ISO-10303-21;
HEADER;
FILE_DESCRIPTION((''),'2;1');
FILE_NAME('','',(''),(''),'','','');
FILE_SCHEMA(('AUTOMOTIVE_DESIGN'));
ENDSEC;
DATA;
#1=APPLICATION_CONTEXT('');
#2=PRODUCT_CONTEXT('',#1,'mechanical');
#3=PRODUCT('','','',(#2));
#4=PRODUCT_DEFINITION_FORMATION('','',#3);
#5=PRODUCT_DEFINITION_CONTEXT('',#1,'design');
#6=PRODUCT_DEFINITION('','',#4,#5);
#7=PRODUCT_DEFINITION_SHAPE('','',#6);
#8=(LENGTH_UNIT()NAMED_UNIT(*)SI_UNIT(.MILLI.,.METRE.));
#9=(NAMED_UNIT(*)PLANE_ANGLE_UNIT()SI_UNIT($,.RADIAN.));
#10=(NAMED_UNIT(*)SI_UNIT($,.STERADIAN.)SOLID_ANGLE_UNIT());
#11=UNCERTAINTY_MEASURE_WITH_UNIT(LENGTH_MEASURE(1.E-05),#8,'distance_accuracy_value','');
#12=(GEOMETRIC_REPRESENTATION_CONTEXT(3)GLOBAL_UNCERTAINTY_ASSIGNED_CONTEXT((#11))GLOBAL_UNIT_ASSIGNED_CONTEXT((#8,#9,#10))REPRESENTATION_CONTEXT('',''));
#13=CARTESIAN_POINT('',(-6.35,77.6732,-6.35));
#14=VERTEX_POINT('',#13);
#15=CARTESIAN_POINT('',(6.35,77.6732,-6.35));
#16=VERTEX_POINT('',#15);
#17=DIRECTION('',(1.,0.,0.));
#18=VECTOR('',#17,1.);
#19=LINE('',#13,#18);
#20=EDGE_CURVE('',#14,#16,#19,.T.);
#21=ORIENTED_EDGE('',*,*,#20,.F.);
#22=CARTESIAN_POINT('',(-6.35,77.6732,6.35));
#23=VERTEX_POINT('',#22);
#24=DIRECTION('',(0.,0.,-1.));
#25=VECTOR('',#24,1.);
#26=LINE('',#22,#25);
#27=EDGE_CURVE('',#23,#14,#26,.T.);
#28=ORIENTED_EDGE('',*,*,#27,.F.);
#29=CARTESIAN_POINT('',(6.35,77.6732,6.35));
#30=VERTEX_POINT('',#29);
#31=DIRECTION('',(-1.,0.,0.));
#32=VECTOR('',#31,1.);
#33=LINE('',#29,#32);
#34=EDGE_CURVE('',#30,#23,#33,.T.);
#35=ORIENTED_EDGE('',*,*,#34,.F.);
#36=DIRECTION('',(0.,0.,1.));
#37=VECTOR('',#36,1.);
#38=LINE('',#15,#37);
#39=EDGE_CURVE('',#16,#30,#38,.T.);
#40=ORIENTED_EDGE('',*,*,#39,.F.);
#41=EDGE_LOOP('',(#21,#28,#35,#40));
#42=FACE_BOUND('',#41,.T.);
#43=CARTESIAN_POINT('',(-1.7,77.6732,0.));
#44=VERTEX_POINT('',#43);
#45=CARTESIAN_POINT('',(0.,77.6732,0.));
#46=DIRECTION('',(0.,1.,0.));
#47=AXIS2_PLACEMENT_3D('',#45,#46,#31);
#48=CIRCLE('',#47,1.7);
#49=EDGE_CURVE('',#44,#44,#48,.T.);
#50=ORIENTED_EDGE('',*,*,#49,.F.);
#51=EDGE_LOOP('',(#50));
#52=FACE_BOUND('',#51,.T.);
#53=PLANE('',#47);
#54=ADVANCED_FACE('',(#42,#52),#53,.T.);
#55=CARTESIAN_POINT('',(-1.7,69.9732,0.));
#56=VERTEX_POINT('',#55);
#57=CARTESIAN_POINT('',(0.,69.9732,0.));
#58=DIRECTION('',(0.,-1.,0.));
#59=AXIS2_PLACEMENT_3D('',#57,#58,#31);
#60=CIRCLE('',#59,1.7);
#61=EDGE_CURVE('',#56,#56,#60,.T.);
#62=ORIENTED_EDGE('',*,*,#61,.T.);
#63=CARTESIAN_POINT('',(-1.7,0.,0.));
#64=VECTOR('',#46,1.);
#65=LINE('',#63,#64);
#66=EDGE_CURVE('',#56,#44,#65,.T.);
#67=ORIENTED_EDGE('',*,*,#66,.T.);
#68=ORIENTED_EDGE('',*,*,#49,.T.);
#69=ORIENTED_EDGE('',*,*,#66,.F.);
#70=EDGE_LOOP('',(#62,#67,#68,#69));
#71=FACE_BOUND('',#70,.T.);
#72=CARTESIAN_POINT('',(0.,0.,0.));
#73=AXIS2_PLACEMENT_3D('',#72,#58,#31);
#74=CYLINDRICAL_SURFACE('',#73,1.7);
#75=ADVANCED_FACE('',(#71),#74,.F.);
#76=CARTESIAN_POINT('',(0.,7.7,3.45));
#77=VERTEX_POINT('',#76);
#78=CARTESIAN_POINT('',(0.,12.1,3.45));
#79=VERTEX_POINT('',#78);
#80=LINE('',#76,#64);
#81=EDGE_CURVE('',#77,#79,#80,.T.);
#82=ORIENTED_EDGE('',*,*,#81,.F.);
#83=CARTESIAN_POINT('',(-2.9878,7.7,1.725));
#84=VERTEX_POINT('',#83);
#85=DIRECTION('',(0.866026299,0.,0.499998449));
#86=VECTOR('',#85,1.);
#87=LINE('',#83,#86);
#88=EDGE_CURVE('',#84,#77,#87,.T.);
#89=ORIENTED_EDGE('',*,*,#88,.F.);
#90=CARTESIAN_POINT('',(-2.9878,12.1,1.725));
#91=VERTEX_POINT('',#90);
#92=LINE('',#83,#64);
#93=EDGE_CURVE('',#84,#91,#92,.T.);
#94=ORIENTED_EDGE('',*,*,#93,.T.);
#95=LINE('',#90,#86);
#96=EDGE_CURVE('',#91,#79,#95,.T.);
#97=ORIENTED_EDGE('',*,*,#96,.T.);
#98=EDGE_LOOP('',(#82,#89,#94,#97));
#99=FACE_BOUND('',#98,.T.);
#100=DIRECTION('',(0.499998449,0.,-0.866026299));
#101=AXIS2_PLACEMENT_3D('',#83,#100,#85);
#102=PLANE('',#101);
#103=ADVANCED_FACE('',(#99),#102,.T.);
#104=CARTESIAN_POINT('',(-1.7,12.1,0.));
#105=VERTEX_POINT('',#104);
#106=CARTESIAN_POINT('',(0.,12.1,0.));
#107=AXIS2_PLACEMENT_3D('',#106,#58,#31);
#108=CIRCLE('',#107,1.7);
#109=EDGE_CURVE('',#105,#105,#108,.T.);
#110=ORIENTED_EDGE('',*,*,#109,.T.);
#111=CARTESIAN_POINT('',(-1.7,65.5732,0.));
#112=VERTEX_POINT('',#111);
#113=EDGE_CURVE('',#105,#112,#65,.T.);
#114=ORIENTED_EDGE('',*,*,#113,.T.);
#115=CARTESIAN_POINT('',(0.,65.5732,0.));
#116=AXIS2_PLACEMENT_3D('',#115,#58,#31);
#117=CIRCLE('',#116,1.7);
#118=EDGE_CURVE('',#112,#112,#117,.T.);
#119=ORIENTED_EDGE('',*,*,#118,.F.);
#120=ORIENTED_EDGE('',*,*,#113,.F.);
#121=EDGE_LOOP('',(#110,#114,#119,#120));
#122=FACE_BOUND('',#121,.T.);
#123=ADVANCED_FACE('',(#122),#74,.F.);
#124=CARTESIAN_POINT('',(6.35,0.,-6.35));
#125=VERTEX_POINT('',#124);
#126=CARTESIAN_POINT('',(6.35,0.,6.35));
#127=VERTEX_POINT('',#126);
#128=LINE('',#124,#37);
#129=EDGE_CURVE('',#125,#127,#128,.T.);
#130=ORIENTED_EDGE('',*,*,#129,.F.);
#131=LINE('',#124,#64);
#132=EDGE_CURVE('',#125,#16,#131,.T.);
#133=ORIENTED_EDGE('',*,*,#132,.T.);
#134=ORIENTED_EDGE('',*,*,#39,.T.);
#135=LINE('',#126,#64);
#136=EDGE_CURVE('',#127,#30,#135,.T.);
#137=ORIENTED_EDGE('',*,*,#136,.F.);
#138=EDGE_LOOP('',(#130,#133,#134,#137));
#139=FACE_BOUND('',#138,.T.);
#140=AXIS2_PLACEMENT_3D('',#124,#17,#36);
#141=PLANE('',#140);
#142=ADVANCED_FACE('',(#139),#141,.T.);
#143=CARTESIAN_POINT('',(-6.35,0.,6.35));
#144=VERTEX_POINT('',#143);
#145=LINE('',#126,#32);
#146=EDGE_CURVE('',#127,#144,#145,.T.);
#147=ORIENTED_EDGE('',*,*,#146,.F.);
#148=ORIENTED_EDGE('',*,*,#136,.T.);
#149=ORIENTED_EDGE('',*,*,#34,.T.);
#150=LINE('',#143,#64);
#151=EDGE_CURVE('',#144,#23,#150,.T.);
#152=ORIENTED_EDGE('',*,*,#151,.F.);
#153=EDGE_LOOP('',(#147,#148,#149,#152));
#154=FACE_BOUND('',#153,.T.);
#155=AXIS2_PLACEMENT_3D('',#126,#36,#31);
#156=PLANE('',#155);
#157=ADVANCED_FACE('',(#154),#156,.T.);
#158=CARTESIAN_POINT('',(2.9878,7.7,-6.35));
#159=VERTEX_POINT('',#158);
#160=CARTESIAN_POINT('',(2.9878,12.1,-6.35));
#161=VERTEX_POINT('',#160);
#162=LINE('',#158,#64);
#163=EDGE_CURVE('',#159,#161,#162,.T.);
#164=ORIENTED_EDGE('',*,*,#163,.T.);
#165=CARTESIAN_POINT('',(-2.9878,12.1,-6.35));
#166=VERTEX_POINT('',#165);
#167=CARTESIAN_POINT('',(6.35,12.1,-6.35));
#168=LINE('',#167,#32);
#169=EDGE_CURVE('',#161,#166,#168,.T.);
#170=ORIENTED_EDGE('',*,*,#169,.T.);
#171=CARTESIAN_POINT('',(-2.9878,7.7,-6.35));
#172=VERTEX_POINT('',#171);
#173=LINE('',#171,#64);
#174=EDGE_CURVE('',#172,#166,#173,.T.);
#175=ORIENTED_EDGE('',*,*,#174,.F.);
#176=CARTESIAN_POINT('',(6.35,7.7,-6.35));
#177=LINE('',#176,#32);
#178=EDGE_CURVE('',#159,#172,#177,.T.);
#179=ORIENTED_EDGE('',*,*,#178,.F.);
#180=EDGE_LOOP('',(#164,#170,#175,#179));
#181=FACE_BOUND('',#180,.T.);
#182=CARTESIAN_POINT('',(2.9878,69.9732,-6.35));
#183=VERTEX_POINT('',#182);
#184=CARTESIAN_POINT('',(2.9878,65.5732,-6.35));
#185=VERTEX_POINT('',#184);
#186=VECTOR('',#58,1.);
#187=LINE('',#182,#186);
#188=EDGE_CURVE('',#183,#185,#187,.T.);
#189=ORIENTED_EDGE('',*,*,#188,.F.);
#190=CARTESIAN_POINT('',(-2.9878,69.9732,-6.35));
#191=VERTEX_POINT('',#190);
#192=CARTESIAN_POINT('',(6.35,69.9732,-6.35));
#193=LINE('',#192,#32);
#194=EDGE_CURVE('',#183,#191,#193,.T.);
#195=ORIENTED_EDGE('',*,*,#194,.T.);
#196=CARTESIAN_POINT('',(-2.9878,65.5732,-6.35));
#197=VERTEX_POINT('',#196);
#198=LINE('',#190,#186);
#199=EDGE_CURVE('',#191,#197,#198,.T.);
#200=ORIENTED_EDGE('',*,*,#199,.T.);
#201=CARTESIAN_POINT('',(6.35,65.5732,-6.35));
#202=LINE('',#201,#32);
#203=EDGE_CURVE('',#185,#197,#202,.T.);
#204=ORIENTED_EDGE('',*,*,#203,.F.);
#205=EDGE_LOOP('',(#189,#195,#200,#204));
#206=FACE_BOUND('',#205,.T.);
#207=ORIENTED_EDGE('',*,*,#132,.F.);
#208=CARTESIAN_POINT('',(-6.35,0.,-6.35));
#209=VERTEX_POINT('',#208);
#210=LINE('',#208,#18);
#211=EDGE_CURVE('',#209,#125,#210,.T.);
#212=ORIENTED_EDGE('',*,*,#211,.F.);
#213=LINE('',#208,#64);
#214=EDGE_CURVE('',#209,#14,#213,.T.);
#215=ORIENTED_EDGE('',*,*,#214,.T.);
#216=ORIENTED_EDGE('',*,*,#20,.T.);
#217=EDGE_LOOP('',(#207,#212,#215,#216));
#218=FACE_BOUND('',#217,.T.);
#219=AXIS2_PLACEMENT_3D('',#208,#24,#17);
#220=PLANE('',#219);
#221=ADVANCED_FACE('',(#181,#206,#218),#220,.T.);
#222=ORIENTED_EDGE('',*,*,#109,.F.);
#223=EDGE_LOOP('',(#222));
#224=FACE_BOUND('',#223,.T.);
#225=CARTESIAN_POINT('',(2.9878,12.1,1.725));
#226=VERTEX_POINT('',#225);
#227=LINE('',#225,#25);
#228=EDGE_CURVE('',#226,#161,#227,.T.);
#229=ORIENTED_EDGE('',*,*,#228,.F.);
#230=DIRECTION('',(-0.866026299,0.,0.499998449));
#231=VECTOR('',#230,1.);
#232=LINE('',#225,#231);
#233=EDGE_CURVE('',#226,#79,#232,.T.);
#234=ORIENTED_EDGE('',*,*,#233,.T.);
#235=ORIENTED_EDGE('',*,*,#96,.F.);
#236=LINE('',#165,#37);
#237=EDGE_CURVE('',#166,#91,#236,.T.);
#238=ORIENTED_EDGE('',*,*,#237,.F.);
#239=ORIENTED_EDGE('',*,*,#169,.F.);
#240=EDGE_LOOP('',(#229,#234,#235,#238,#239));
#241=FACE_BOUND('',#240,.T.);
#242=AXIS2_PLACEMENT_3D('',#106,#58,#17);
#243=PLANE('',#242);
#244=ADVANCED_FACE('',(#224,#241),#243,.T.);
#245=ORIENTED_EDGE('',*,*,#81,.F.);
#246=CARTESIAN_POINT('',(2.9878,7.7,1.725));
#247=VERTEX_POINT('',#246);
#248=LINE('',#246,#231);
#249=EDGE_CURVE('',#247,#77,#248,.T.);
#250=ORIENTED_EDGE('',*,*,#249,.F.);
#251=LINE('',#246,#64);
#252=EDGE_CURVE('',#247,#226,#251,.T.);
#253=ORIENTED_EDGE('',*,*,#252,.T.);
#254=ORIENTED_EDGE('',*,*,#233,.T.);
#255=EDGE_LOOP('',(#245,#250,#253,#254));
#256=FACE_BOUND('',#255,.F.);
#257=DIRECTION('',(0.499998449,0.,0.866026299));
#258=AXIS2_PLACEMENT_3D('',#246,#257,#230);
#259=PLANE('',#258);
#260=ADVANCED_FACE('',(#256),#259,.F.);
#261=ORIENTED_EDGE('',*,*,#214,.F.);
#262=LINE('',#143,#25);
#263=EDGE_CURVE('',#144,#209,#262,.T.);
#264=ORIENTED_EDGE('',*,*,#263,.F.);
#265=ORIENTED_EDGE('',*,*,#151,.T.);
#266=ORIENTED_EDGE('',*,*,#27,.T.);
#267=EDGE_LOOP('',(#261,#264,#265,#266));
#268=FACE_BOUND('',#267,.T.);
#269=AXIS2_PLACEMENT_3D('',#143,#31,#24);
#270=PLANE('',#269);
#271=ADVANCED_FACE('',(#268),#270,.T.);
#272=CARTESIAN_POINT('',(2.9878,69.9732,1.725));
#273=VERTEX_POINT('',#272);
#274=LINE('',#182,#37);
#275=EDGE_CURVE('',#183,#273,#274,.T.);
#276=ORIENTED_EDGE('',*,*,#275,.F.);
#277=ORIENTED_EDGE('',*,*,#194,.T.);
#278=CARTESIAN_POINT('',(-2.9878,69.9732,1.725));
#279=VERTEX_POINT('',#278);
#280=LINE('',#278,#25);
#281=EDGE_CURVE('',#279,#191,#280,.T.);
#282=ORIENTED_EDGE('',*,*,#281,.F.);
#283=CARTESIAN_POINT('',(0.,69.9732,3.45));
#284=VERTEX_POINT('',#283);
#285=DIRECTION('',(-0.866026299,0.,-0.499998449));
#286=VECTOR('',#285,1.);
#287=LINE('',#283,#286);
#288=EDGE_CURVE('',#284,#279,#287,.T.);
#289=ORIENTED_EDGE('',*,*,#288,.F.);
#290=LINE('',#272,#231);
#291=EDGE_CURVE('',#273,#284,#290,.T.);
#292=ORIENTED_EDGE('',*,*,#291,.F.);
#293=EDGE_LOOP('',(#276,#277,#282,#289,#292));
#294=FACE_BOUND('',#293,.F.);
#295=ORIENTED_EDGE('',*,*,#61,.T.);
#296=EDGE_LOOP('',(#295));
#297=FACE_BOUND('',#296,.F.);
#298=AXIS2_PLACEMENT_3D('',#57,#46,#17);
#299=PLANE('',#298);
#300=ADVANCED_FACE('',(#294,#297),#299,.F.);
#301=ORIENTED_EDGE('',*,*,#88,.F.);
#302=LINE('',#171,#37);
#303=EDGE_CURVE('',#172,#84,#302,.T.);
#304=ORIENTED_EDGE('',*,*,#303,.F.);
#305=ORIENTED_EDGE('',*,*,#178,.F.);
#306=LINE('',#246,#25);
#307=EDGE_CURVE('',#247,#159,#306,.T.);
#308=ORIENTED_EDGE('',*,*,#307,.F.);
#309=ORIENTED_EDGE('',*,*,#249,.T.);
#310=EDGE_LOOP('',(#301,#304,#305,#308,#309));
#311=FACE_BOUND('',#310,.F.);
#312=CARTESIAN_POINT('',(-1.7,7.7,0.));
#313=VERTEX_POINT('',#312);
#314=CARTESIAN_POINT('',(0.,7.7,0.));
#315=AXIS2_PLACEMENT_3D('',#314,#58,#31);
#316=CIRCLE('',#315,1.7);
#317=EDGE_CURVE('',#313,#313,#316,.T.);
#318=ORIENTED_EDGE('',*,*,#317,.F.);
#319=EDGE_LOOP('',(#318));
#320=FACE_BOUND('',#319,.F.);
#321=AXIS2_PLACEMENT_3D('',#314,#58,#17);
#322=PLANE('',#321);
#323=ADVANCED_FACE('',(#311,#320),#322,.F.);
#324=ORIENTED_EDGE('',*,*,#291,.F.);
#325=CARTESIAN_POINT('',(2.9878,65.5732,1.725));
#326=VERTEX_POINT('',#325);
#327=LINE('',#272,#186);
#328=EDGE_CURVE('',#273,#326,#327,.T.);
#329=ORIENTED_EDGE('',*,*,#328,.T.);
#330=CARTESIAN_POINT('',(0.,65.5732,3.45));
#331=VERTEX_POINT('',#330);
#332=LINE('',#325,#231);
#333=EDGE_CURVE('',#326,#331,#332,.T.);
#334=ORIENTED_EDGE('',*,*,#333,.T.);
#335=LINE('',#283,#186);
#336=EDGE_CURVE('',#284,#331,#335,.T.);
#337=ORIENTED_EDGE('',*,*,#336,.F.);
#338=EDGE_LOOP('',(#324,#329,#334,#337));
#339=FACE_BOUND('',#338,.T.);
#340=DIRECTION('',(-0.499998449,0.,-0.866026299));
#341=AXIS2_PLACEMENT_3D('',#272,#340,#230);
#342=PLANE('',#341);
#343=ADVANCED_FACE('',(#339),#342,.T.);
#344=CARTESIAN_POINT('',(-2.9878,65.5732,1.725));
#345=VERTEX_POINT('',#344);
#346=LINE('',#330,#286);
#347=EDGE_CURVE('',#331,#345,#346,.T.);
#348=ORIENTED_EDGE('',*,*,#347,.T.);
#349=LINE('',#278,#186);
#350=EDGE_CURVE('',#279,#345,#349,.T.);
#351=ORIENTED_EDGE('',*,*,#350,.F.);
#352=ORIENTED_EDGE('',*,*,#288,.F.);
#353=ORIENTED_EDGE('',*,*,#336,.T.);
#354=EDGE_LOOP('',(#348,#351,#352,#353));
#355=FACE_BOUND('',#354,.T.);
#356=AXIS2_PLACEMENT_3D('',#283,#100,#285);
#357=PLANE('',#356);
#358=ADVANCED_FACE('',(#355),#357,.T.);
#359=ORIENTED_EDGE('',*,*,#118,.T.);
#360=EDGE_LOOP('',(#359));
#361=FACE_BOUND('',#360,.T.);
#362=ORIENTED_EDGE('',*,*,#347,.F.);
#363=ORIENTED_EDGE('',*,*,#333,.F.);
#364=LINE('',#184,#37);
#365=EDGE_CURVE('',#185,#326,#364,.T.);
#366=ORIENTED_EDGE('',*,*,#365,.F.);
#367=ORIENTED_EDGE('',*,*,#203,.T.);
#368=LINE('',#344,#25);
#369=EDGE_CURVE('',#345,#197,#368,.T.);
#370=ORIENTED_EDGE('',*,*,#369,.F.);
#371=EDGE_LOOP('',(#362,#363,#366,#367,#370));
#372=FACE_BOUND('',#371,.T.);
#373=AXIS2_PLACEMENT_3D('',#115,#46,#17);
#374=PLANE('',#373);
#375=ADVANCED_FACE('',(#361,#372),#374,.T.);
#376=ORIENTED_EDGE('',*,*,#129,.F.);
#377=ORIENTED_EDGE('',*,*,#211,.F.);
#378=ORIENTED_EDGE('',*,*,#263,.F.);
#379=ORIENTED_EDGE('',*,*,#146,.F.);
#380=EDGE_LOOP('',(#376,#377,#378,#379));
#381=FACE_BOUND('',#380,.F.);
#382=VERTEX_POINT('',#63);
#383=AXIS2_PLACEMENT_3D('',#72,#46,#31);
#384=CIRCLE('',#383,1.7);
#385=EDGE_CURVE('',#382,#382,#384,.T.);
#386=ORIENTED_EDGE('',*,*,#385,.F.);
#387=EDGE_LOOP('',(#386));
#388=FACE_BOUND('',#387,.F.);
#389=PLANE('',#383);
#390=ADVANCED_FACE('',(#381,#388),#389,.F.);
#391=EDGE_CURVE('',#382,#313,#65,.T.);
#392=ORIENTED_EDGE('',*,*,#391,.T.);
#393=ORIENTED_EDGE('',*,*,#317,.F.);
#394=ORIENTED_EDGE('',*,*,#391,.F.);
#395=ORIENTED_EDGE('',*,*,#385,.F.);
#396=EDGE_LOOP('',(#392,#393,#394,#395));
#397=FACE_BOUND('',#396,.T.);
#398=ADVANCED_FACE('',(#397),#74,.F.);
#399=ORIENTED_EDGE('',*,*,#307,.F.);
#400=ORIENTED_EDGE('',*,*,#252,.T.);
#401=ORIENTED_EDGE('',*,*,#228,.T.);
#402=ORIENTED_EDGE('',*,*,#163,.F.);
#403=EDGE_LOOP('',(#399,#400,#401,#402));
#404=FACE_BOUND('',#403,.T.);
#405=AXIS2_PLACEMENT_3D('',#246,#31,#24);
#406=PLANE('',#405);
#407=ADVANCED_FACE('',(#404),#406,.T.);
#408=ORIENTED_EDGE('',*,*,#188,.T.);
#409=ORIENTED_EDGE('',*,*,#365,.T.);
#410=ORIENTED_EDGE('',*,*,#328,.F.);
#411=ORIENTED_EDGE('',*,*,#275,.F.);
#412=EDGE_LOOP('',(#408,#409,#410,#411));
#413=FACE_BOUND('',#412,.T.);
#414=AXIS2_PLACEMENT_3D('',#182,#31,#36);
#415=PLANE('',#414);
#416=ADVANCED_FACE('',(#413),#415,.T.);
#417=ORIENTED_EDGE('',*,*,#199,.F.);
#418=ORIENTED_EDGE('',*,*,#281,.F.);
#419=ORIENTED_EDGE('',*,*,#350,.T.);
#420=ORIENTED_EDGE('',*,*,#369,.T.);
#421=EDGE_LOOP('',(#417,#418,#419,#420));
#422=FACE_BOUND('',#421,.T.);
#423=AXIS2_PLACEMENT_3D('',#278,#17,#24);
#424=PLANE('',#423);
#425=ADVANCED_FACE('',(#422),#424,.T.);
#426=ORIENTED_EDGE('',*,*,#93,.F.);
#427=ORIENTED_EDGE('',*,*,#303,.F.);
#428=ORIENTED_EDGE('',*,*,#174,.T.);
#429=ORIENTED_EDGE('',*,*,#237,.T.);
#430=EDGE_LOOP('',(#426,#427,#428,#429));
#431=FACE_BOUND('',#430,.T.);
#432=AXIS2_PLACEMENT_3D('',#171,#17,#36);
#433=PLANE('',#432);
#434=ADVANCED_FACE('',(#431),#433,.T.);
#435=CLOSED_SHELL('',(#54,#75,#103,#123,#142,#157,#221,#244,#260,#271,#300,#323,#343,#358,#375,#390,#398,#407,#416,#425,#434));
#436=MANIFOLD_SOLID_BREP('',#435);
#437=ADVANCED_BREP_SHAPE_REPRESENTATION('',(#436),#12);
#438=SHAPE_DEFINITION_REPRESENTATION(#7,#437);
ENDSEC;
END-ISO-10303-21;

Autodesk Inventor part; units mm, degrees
ref_plane "YZ Plane" through (0, 0, 0) normal (1, 0, 0) x (0, 1, 0)
ref_plane "XZ Plane" through (0, 0, 0) normal (0, 1, 0) x (-1, 0, 0)
ref_plane "XY Plane" through (0, 0, 0) normal (0, 0, 1) x (1, 0, 0)
sketch "Sketch1" plane through (0, 0, 0) normal (0, 1, 0) x (-1, 0, 0)
  line L0 (-6.35, 6.35) -> (6.35, 6.35)
  line L1 (6.35, 6.35) -> (6.35, -6.35)
  line L2 (6.35, -6.35) -> (-6.35, -6.35)
  line L3 (-6.35, -6.35) -> (-6.35, 6.35)
  line L4 (-6.35, 6.35) -> (6.35, -6.35) construction
  line L5 (6.35, 6.35) -> (-6.35, -6.35) construction
  circle A0 centre (0, 0) radius 1.7
  dimension "d0" = 12.7
  dimension "d1" = 12.7
  dimension "d2" = 3.4
extrude "Extrusion1" add sketch "Sketch1" along normal blind 77.6732
ref_plane "Work Plane1" through (0, 69.9732, 0) normal (0, 1, 0) x (1, 0, 0)
sketch "Sketch2" plane through (0, 69.9732, 0) normal (0, 1, 0) x (1, 0, 0)
  circle A0 centre (0, 0) radius 1.7 construction
  circle A1 centre (0, 0) radius 3.45 construction
  line L0 (0, -3.45) -> (-2.9878, -1.725)
  line L1 (-2.9878, -1.725) -> (-2.9878, 6.35)
  line L2 (2.9878, 6.35) -> (2.9878, -1.725)
  line L3 (2.9878, -1.725) -> (0, -3.45)
  line L4 (6.35, 6.35) -> (-6.35, 6.35) projected
  line L5 (-2.9878, 6.35) -> (2.9878, 6.35)
  dimension "d6" = 6.9
extrude "Extrusion2" cut sketch "Sketch2" against normal blind 4.4
ref_plane "Work Plane2" through (0, 7.7, 0) normal (0, -1, 0) x (1, 0, 0)
sketch "Sketch3" plane through (0, 7.7, 0) normal (0, -1, 0) x (1, 0, 0)
  circle A0 centre (0, 0) radius 3.45 construction
  line L0 (2.9878, 1.725) -> (0, 3.45) projected
  line L1 (0, 3.45) -> (2.9878, 1.725)
  line L2 (2.9878, 1.725) -> (2.9878, -6.35)
  line L3 (-2.9878, -6.35) -> (-2.9878, 1.725)
  line L4 (-2.9878, 1.725) -> (0, 3.45)
  line L5 (6.35, -6.35) -> (-6.35, -6.35) projected
  line L6 (-2.9878, -6.35) -> (2.9878, -6.35)
  dimension "d10" = 6.9
extrude "Extrusion3" cut sketch "Sketch3" against normal blind 4.4
properties part number "standoff for walls"
